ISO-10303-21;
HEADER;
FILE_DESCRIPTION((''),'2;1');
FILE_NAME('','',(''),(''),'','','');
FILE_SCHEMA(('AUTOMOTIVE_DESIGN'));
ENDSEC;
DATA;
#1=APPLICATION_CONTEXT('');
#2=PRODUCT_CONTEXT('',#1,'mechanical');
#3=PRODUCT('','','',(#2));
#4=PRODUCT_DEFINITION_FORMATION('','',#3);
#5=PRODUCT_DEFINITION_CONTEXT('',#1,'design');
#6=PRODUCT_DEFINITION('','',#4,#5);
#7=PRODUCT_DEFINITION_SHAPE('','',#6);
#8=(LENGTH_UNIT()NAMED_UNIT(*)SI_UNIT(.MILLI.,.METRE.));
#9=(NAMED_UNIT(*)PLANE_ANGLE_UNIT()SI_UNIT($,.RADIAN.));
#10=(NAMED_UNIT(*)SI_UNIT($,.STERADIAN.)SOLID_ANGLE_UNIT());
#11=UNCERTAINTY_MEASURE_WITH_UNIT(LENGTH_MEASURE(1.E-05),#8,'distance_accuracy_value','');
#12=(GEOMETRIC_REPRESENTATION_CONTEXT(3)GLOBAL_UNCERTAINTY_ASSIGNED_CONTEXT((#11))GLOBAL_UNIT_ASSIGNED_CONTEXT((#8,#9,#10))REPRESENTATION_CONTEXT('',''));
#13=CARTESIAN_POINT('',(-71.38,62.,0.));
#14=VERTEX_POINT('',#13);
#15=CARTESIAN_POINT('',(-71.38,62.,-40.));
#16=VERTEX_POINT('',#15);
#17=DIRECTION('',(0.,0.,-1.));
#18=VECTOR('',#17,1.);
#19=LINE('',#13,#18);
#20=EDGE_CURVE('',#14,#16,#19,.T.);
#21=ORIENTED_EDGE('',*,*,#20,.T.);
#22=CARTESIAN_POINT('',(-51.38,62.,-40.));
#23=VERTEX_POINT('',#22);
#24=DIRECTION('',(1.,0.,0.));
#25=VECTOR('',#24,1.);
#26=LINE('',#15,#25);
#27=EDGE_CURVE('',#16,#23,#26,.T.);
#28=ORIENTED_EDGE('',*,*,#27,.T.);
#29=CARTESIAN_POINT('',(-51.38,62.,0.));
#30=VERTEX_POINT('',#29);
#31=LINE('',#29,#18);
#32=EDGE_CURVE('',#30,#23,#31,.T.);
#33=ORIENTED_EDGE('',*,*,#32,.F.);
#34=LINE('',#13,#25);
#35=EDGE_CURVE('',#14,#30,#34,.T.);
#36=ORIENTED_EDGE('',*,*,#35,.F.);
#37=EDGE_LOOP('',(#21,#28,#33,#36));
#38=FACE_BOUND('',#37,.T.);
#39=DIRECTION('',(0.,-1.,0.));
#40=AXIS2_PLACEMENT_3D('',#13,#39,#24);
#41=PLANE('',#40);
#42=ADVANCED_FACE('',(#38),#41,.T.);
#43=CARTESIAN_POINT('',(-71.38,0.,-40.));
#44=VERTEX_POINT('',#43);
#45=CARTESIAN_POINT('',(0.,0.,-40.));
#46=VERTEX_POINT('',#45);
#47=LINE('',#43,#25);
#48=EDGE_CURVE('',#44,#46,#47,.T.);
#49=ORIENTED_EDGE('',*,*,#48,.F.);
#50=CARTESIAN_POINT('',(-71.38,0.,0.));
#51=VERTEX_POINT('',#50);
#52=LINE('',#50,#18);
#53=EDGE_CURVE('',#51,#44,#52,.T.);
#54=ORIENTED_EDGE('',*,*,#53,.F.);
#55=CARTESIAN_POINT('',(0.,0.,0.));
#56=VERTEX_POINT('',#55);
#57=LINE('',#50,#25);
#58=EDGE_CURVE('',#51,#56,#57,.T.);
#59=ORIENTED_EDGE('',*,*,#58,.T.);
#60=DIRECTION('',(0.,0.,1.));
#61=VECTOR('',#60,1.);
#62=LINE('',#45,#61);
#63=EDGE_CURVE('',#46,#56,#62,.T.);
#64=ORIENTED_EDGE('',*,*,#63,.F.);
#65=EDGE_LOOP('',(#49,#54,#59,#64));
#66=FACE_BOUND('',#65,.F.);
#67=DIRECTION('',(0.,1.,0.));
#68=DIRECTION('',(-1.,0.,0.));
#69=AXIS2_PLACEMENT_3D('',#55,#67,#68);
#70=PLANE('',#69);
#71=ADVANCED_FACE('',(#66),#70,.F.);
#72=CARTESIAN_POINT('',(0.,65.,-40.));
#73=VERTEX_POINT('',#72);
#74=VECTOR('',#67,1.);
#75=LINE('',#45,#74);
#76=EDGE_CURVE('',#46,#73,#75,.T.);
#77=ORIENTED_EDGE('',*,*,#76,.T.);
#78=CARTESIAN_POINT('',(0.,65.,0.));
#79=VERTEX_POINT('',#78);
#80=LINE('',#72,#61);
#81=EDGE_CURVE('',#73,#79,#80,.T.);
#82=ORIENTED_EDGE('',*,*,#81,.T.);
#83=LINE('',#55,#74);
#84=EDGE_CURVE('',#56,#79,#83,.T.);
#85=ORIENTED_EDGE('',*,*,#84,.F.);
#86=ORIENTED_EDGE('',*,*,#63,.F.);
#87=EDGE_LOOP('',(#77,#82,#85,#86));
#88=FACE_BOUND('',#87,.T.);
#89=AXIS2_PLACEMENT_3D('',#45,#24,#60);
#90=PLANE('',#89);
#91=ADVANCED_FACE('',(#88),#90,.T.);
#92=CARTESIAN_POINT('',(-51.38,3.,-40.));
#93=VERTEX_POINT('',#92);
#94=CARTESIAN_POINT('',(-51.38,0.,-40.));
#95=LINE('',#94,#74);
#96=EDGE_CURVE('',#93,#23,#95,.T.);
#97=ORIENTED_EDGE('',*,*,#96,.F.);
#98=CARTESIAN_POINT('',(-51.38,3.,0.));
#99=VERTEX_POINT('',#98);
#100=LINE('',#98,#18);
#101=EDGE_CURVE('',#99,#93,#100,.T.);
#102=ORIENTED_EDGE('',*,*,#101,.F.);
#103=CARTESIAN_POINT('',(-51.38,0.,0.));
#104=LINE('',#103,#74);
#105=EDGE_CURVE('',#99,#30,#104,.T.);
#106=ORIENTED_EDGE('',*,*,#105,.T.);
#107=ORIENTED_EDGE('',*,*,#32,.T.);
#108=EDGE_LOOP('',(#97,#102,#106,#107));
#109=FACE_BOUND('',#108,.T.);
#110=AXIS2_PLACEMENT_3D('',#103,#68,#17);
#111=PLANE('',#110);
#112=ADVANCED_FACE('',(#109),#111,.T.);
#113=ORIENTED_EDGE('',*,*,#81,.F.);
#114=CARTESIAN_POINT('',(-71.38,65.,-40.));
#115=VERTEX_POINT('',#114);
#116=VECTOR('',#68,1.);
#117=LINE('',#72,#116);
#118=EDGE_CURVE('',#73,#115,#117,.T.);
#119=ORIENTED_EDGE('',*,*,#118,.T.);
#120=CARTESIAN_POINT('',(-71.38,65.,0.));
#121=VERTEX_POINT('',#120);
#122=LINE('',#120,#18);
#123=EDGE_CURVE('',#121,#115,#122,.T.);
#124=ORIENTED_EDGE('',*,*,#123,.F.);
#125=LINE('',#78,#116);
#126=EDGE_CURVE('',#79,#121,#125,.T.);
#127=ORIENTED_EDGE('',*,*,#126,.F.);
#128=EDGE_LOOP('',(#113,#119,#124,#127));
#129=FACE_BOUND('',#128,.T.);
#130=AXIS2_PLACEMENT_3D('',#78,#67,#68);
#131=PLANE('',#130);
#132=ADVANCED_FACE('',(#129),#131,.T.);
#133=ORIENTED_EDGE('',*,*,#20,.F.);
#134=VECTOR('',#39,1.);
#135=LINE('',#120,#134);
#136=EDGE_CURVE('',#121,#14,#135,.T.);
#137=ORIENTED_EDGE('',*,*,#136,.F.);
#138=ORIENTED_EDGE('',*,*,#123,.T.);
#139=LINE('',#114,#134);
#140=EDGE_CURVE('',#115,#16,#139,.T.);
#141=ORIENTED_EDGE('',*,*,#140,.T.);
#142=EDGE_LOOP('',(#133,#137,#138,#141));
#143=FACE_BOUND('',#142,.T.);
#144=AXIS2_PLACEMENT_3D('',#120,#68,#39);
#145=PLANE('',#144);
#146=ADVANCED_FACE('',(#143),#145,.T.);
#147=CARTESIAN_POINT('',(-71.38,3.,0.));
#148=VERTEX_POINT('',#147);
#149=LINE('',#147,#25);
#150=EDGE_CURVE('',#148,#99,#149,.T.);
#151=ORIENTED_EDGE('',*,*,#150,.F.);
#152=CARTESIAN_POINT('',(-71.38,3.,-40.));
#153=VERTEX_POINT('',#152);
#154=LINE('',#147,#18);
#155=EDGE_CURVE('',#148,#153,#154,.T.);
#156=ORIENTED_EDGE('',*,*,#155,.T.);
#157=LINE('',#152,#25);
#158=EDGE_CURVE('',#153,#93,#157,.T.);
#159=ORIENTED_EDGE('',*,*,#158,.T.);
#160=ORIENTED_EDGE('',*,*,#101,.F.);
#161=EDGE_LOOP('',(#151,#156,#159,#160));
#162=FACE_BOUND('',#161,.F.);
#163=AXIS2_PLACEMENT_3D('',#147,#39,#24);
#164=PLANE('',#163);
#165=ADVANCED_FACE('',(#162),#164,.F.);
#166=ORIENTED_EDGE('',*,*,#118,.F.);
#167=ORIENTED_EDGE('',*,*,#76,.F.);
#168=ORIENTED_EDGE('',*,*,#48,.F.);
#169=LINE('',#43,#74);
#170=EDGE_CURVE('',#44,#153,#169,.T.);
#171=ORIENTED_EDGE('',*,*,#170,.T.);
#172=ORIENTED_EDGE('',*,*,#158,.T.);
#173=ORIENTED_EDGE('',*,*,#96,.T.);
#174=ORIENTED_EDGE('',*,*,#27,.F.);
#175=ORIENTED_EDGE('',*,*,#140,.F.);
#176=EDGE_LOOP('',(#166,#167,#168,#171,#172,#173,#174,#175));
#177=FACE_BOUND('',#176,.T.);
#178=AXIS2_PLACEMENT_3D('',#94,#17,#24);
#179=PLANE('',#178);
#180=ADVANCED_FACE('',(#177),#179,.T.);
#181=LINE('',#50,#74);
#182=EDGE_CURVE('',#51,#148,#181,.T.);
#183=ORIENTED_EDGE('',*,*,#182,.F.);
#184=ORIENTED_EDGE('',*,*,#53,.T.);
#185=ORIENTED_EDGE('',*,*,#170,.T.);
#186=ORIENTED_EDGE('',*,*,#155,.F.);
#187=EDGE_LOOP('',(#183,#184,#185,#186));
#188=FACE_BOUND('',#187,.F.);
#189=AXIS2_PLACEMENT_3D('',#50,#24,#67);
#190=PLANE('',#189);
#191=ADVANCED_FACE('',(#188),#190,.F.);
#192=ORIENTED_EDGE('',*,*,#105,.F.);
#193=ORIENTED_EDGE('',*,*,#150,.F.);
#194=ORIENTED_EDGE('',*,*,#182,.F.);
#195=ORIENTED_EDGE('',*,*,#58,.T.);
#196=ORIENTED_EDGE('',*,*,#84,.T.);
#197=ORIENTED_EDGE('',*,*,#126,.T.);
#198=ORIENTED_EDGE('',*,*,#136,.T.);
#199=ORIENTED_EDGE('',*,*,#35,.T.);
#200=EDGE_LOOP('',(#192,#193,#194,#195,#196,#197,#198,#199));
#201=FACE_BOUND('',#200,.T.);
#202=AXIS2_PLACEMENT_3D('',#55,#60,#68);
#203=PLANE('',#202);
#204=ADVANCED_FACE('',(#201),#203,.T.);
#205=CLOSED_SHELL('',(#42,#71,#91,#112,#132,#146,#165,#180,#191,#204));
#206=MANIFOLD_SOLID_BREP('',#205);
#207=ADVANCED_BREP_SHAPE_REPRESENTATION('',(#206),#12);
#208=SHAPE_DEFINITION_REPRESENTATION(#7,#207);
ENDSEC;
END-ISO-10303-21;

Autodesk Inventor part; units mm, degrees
ref_plane "YZ Plane" through (0, 0, 0) normal (1, 0, 0) x (0, 1, 0)
ref_plane "XZ Plane" through (0, 0, 0) normal (0, 1, 0) x (-1, 0, 0)
ref_plane "XY Plane" through (0, 0, 0) normal (0, 0, 1) x (1, 0, 0)
sketch "Sketch1" plane through (0, 0, 0) normal (0, 1, 0) x (-1, 0, 0)
  line L0 (0, 0) -> (51.38, 0)
  line L1 (51.38, 0) -> (51.38, -40)
  line L2 (51.38, -40) -> (0, -40)
  line L3 (0, -40) -> (0, 0)
  dimension "d0" = 51.38
  dimension "d1" = 40
extrude "Extrusion1" add sketch "Sketch1" along normal blind 65
sketch "Sketch2" plane through (-51.38, 0, 0) normal (0, 0, 1) x (1, 0, 0)
  line L0 (51.38, 0) -> (0, 0) projected
  line L1 (0, 0) -> (-20, 0)
  line L2 (-20, 0) -> (-20, 3)
  line L3 (-20, 3) -> (0, 3)
  line L4 (0, 3) -> (0, 0)
  line L5 (51.38, 65) -> (0, 65) projected
  line L6 (0, 65) -> (-20, 65)
  line L7 (-20, 65) -> (-20, 62)
  line L8 (-20, 62) -> (0, 62)
  line L9 (0, 62) -> (0, 65)
  dimension "d4" = 20
  dimension "d5" = 3
  dimension "d6" = 20
  dimension "d7" = 3
extrude "Extrusion2" add sketch "Sketch2" against normal blind 40
properties part number "motor_support"
